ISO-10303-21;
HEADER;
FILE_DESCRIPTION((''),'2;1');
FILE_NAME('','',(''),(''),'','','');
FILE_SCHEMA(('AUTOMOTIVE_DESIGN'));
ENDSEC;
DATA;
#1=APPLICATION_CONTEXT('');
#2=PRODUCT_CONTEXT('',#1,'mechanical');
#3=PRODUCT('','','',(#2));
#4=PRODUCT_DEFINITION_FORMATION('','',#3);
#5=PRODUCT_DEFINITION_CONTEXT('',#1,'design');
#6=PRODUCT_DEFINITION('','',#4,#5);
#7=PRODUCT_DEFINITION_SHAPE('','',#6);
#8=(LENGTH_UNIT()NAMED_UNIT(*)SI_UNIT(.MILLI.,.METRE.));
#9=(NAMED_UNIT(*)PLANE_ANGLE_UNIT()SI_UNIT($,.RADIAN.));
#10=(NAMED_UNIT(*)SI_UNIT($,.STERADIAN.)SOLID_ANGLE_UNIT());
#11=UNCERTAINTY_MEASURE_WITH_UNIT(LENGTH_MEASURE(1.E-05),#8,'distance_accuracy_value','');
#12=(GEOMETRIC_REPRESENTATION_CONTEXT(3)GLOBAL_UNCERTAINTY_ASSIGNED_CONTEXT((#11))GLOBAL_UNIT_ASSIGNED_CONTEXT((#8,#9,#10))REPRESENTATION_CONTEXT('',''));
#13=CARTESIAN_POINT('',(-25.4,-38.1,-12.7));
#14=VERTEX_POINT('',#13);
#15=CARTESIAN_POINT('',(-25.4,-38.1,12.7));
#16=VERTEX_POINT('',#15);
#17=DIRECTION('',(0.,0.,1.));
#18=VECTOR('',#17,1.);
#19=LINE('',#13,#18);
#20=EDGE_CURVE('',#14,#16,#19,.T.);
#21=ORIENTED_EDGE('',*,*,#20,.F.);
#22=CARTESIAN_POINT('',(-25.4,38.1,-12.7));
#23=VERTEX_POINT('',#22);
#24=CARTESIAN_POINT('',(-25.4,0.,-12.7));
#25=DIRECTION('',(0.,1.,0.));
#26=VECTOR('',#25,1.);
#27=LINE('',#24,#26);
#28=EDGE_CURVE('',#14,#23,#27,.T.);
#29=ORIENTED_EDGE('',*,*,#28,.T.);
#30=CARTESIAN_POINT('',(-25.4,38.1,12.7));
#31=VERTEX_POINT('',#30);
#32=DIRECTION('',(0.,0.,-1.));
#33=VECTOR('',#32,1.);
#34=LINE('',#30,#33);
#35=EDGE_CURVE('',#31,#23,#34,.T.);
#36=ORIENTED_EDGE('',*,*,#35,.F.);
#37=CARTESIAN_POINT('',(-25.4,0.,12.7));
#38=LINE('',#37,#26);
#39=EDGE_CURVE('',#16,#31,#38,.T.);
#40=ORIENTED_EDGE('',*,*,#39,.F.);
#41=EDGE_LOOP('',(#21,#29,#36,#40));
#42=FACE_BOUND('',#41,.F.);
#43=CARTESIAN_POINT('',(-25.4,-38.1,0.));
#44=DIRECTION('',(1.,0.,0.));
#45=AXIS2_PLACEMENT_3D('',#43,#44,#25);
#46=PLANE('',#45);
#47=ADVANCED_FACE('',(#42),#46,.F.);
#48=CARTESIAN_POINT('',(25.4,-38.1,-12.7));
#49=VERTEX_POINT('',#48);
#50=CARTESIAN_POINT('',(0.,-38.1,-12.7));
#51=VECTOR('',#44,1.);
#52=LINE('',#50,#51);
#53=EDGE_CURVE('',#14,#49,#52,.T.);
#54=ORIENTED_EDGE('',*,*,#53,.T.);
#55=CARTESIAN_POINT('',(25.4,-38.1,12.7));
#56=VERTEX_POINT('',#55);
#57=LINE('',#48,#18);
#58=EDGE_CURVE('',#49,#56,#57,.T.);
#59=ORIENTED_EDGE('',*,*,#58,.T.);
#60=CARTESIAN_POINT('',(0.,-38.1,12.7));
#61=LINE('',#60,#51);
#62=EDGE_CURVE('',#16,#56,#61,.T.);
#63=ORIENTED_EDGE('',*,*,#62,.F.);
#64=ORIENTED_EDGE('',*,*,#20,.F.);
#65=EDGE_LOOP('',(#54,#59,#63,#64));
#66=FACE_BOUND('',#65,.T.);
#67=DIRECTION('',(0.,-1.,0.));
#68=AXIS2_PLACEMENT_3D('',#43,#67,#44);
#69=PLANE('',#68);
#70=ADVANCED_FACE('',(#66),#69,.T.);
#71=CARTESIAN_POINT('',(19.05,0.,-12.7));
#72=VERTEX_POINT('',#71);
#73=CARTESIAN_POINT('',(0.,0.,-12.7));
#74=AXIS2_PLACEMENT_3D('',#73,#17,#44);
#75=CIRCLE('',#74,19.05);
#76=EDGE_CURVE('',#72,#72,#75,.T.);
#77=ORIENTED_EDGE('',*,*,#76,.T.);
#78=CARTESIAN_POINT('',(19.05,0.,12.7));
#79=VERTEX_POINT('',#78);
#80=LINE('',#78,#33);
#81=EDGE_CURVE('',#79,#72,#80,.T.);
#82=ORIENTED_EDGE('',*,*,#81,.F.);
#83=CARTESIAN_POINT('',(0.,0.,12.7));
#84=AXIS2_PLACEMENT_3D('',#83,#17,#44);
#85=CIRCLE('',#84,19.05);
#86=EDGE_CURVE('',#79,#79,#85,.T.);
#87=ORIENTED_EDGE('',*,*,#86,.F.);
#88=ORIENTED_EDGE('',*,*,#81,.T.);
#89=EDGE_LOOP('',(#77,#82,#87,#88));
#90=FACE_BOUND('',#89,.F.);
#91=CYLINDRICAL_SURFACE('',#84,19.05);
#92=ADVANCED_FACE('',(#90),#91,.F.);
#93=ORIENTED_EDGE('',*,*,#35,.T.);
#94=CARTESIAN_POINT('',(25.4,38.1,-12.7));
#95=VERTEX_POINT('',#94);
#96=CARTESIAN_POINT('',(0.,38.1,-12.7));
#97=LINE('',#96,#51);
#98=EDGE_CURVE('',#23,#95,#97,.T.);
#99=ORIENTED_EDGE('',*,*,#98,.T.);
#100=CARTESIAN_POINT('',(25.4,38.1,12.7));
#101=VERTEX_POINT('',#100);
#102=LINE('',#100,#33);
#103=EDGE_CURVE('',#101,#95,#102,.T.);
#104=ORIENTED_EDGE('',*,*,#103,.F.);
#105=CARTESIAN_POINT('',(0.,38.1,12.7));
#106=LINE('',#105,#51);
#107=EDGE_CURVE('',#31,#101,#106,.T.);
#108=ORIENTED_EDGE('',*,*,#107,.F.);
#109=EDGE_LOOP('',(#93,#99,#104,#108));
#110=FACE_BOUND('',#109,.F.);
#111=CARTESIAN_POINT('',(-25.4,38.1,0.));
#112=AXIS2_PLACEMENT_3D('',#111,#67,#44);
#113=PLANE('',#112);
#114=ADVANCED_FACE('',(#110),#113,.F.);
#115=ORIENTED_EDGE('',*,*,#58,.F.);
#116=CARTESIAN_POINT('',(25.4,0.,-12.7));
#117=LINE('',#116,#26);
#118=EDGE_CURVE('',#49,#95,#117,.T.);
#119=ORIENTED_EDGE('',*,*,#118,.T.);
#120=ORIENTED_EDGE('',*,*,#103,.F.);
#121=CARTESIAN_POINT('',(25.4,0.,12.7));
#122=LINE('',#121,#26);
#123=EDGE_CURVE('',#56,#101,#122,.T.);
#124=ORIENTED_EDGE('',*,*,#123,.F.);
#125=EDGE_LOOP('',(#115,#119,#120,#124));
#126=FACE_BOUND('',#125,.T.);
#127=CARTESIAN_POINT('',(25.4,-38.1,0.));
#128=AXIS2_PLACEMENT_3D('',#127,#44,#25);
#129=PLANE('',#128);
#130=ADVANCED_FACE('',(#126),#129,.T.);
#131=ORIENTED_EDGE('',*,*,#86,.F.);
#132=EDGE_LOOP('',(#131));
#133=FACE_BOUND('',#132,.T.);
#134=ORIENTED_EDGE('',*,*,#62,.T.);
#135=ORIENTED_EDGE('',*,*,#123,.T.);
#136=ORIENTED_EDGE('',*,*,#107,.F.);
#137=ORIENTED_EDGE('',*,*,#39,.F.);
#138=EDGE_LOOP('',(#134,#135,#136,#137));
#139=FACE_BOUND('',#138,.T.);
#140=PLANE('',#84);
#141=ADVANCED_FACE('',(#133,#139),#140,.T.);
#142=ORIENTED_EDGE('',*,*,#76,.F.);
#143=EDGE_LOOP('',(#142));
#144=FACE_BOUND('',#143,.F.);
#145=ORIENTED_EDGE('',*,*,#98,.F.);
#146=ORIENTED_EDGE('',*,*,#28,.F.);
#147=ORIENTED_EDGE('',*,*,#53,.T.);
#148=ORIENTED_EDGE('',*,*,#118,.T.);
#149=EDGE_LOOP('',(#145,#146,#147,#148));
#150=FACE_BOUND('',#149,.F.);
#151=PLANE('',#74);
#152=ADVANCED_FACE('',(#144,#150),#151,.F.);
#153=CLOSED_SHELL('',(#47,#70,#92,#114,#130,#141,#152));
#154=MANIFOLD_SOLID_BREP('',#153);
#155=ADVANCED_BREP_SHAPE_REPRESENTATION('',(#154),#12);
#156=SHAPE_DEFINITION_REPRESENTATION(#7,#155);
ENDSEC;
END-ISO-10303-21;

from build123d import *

# Parameters (mm, degrees)
F0_W     = 50.8
F0_H     = 76.2
F1_DEPTH = 12.7
F2_R     = 19.05
F3_DEPTH = 25.401


with BuildPart() as f1:
    # F0 (on Top) → F1 (new body, symmetric)
    with BuildSketch(Plane.XY):
        Rectangle(F0_W, F0_H)
    extrude(amount=F1_DEPTH, both=True)

    # F2 (on face) → F3 (cut, through all)
    with BuildSketch(Plane.XY.offset(12.7)):
        Circle(F2_R)
    extrude(amount=-F3_DEPTH, mode=Mode.SUBTRACT)


solid = f1.part
